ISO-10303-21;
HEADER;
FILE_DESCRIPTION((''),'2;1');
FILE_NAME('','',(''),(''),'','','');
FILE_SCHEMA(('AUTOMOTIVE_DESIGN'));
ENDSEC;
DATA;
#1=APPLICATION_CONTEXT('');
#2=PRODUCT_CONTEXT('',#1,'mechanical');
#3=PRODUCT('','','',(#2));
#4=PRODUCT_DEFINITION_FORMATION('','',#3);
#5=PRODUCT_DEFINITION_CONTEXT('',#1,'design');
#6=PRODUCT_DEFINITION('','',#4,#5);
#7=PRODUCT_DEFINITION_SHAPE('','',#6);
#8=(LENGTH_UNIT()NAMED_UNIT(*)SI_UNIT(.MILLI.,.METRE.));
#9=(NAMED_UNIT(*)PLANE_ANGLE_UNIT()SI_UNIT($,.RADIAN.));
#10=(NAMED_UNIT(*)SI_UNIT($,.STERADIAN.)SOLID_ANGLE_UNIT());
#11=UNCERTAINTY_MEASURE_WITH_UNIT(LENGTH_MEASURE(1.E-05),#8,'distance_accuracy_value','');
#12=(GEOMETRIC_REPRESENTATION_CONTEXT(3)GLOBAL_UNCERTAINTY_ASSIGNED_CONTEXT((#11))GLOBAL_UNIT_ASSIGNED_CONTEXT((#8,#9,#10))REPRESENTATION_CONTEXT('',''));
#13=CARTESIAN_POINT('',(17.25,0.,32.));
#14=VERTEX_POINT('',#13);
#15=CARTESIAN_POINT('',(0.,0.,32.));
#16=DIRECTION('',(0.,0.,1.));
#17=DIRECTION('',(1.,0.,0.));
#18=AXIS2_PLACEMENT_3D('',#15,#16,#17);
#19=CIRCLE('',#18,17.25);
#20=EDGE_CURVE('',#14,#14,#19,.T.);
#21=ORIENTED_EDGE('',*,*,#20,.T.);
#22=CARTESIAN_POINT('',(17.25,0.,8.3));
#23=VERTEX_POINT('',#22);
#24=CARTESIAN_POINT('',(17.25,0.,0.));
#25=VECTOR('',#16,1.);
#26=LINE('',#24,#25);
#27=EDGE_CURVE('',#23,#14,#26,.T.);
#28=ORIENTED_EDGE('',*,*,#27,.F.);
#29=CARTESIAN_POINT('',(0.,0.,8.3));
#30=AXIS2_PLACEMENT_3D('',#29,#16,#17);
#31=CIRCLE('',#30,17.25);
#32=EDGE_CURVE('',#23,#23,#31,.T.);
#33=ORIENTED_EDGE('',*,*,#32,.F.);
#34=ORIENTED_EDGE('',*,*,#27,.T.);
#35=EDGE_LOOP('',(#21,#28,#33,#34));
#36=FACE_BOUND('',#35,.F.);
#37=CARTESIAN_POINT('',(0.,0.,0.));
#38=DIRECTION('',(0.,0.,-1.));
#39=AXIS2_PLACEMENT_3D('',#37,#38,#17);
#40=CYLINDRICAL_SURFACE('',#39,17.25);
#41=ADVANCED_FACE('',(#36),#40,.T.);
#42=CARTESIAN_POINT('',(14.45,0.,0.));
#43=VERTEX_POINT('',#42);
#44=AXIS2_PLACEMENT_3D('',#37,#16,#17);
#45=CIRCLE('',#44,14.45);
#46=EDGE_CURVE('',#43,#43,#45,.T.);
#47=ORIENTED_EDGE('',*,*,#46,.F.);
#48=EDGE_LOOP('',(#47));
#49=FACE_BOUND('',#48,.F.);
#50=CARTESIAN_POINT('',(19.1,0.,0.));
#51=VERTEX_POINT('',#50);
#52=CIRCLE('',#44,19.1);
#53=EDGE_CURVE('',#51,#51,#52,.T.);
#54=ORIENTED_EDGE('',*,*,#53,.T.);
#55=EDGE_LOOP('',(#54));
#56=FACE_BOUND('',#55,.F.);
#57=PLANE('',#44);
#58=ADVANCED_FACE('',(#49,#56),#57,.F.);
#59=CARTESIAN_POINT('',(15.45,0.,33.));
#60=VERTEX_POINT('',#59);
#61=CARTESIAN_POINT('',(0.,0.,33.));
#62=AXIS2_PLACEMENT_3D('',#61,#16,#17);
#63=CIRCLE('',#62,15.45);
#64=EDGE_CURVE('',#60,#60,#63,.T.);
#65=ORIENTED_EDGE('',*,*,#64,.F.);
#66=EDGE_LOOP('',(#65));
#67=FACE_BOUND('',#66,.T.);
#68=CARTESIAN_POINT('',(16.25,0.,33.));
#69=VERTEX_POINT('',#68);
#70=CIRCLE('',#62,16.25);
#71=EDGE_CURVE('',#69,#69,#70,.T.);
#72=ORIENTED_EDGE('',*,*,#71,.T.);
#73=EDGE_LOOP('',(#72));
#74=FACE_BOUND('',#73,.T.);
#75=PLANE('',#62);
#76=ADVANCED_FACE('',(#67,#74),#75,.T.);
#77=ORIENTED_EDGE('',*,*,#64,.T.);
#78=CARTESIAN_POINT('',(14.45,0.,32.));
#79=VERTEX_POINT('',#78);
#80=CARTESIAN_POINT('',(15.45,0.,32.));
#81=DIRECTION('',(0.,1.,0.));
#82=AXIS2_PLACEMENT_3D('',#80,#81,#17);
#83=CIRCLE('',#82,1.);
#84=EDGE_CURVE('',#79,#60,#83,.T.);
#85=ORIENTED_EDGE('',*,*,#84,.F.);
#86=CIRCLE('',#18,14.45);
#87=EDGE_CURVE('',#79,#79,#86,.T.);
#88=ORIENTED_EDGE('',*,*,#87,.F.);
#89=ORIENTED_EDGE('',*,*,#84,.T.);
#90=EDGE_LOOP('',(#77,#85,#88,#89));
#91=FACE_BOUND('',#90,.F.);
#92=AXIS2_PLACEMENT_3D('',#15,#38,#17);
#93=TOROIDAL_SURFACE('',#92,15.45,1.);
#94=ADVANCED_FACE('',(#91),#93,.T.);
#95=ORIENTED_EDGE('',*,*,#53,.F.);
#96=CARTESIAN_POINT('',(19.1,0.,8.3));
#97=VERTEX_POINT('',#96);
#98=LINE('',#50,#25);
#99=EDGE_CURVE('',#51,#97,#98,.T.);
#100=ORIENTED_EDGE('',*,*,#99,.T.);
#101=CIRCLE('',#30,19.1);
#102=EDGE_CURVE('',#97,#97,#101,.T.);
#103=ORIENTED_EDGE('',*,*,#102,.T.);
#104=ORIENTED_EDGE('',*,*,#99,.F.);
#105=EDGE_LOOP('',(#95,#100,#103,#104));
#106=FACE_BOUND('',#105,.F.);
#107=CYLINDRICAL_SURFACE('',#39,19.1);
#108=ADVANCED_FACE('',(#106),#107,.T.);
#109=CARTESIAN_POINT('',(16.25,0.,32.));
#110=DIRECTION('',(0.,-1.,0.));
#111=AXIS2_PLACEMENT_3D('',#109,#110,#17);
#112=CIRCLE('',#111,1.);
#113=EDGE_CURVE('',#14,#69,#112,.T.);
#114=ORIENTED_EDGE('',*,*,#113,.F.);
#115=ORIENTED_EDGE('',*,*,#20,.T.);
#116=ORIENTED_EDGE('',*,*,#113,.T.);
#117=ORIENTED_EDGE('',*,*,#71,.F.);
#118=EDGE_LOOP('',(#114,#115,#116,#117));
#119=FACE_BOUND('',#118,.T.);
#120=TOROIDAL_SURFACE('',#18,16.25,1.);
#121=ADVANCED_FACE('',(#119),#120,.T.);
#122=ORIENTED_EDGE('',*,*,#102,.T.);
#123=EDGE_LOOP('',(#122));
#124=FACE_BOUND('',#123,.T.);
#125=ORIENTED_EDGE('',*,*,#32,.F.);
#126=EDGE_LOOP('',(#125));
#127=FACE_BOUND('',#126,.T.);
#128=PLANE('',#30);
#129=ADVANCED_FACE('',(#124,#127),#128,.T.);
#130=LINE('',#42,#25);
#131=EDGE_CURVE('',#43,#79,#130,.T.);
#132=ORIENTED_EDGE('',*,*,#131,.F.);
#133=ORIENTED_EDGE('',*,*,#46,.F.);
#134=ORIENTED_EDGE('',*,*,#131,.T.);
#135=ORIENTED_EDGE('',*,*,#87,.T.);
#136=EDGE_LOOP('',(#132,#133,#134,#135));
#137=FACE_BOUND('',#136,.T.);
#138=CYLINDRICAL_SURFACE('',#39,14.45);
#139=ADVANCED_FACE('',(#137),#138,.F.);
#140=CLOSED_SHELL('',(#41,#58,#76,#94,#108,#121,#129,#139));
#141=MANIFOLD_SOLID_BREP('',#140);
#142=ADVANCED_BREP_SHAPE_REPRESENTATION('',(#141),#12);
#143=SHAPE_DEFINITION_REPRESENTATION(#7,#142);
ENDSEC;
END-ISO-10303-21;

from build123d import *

# Parameters (mm, degrees)
F0_R     = 17.25
F0_R_2   = 14.45
F1_DEPTH = 33
F0_R_3   = 19.1
F2_DEPTH = 8.3
F3_R     = 1


with BuildPart() as f1:
    # F0 (on Top) → F1 (new body)
    with BuildSketch(Plane.XY):
        Circle(F0_R)
        Circle(F0_R_2, mode=Mode.SUBTRACT)
    extrude(amount=F1_DEPTH)

    # F0 (on Top) → F2 (join)
    with BuildSketch(Plane.XY):
        Circle(F0_R_3)
        Circle(F0_R, mode=Mode.SUBTRACT)
    extrude(amount=F2_DEPTH)

    # F3
    f3_edges = [f1.edges().sort_by_distance(p)[0] for p in [
        (-17.25, 0, 33),
        (-14.45, 0, 33),
    ]]
    fillet(f3_edges, radius=F3_R)


solid = f1.part
